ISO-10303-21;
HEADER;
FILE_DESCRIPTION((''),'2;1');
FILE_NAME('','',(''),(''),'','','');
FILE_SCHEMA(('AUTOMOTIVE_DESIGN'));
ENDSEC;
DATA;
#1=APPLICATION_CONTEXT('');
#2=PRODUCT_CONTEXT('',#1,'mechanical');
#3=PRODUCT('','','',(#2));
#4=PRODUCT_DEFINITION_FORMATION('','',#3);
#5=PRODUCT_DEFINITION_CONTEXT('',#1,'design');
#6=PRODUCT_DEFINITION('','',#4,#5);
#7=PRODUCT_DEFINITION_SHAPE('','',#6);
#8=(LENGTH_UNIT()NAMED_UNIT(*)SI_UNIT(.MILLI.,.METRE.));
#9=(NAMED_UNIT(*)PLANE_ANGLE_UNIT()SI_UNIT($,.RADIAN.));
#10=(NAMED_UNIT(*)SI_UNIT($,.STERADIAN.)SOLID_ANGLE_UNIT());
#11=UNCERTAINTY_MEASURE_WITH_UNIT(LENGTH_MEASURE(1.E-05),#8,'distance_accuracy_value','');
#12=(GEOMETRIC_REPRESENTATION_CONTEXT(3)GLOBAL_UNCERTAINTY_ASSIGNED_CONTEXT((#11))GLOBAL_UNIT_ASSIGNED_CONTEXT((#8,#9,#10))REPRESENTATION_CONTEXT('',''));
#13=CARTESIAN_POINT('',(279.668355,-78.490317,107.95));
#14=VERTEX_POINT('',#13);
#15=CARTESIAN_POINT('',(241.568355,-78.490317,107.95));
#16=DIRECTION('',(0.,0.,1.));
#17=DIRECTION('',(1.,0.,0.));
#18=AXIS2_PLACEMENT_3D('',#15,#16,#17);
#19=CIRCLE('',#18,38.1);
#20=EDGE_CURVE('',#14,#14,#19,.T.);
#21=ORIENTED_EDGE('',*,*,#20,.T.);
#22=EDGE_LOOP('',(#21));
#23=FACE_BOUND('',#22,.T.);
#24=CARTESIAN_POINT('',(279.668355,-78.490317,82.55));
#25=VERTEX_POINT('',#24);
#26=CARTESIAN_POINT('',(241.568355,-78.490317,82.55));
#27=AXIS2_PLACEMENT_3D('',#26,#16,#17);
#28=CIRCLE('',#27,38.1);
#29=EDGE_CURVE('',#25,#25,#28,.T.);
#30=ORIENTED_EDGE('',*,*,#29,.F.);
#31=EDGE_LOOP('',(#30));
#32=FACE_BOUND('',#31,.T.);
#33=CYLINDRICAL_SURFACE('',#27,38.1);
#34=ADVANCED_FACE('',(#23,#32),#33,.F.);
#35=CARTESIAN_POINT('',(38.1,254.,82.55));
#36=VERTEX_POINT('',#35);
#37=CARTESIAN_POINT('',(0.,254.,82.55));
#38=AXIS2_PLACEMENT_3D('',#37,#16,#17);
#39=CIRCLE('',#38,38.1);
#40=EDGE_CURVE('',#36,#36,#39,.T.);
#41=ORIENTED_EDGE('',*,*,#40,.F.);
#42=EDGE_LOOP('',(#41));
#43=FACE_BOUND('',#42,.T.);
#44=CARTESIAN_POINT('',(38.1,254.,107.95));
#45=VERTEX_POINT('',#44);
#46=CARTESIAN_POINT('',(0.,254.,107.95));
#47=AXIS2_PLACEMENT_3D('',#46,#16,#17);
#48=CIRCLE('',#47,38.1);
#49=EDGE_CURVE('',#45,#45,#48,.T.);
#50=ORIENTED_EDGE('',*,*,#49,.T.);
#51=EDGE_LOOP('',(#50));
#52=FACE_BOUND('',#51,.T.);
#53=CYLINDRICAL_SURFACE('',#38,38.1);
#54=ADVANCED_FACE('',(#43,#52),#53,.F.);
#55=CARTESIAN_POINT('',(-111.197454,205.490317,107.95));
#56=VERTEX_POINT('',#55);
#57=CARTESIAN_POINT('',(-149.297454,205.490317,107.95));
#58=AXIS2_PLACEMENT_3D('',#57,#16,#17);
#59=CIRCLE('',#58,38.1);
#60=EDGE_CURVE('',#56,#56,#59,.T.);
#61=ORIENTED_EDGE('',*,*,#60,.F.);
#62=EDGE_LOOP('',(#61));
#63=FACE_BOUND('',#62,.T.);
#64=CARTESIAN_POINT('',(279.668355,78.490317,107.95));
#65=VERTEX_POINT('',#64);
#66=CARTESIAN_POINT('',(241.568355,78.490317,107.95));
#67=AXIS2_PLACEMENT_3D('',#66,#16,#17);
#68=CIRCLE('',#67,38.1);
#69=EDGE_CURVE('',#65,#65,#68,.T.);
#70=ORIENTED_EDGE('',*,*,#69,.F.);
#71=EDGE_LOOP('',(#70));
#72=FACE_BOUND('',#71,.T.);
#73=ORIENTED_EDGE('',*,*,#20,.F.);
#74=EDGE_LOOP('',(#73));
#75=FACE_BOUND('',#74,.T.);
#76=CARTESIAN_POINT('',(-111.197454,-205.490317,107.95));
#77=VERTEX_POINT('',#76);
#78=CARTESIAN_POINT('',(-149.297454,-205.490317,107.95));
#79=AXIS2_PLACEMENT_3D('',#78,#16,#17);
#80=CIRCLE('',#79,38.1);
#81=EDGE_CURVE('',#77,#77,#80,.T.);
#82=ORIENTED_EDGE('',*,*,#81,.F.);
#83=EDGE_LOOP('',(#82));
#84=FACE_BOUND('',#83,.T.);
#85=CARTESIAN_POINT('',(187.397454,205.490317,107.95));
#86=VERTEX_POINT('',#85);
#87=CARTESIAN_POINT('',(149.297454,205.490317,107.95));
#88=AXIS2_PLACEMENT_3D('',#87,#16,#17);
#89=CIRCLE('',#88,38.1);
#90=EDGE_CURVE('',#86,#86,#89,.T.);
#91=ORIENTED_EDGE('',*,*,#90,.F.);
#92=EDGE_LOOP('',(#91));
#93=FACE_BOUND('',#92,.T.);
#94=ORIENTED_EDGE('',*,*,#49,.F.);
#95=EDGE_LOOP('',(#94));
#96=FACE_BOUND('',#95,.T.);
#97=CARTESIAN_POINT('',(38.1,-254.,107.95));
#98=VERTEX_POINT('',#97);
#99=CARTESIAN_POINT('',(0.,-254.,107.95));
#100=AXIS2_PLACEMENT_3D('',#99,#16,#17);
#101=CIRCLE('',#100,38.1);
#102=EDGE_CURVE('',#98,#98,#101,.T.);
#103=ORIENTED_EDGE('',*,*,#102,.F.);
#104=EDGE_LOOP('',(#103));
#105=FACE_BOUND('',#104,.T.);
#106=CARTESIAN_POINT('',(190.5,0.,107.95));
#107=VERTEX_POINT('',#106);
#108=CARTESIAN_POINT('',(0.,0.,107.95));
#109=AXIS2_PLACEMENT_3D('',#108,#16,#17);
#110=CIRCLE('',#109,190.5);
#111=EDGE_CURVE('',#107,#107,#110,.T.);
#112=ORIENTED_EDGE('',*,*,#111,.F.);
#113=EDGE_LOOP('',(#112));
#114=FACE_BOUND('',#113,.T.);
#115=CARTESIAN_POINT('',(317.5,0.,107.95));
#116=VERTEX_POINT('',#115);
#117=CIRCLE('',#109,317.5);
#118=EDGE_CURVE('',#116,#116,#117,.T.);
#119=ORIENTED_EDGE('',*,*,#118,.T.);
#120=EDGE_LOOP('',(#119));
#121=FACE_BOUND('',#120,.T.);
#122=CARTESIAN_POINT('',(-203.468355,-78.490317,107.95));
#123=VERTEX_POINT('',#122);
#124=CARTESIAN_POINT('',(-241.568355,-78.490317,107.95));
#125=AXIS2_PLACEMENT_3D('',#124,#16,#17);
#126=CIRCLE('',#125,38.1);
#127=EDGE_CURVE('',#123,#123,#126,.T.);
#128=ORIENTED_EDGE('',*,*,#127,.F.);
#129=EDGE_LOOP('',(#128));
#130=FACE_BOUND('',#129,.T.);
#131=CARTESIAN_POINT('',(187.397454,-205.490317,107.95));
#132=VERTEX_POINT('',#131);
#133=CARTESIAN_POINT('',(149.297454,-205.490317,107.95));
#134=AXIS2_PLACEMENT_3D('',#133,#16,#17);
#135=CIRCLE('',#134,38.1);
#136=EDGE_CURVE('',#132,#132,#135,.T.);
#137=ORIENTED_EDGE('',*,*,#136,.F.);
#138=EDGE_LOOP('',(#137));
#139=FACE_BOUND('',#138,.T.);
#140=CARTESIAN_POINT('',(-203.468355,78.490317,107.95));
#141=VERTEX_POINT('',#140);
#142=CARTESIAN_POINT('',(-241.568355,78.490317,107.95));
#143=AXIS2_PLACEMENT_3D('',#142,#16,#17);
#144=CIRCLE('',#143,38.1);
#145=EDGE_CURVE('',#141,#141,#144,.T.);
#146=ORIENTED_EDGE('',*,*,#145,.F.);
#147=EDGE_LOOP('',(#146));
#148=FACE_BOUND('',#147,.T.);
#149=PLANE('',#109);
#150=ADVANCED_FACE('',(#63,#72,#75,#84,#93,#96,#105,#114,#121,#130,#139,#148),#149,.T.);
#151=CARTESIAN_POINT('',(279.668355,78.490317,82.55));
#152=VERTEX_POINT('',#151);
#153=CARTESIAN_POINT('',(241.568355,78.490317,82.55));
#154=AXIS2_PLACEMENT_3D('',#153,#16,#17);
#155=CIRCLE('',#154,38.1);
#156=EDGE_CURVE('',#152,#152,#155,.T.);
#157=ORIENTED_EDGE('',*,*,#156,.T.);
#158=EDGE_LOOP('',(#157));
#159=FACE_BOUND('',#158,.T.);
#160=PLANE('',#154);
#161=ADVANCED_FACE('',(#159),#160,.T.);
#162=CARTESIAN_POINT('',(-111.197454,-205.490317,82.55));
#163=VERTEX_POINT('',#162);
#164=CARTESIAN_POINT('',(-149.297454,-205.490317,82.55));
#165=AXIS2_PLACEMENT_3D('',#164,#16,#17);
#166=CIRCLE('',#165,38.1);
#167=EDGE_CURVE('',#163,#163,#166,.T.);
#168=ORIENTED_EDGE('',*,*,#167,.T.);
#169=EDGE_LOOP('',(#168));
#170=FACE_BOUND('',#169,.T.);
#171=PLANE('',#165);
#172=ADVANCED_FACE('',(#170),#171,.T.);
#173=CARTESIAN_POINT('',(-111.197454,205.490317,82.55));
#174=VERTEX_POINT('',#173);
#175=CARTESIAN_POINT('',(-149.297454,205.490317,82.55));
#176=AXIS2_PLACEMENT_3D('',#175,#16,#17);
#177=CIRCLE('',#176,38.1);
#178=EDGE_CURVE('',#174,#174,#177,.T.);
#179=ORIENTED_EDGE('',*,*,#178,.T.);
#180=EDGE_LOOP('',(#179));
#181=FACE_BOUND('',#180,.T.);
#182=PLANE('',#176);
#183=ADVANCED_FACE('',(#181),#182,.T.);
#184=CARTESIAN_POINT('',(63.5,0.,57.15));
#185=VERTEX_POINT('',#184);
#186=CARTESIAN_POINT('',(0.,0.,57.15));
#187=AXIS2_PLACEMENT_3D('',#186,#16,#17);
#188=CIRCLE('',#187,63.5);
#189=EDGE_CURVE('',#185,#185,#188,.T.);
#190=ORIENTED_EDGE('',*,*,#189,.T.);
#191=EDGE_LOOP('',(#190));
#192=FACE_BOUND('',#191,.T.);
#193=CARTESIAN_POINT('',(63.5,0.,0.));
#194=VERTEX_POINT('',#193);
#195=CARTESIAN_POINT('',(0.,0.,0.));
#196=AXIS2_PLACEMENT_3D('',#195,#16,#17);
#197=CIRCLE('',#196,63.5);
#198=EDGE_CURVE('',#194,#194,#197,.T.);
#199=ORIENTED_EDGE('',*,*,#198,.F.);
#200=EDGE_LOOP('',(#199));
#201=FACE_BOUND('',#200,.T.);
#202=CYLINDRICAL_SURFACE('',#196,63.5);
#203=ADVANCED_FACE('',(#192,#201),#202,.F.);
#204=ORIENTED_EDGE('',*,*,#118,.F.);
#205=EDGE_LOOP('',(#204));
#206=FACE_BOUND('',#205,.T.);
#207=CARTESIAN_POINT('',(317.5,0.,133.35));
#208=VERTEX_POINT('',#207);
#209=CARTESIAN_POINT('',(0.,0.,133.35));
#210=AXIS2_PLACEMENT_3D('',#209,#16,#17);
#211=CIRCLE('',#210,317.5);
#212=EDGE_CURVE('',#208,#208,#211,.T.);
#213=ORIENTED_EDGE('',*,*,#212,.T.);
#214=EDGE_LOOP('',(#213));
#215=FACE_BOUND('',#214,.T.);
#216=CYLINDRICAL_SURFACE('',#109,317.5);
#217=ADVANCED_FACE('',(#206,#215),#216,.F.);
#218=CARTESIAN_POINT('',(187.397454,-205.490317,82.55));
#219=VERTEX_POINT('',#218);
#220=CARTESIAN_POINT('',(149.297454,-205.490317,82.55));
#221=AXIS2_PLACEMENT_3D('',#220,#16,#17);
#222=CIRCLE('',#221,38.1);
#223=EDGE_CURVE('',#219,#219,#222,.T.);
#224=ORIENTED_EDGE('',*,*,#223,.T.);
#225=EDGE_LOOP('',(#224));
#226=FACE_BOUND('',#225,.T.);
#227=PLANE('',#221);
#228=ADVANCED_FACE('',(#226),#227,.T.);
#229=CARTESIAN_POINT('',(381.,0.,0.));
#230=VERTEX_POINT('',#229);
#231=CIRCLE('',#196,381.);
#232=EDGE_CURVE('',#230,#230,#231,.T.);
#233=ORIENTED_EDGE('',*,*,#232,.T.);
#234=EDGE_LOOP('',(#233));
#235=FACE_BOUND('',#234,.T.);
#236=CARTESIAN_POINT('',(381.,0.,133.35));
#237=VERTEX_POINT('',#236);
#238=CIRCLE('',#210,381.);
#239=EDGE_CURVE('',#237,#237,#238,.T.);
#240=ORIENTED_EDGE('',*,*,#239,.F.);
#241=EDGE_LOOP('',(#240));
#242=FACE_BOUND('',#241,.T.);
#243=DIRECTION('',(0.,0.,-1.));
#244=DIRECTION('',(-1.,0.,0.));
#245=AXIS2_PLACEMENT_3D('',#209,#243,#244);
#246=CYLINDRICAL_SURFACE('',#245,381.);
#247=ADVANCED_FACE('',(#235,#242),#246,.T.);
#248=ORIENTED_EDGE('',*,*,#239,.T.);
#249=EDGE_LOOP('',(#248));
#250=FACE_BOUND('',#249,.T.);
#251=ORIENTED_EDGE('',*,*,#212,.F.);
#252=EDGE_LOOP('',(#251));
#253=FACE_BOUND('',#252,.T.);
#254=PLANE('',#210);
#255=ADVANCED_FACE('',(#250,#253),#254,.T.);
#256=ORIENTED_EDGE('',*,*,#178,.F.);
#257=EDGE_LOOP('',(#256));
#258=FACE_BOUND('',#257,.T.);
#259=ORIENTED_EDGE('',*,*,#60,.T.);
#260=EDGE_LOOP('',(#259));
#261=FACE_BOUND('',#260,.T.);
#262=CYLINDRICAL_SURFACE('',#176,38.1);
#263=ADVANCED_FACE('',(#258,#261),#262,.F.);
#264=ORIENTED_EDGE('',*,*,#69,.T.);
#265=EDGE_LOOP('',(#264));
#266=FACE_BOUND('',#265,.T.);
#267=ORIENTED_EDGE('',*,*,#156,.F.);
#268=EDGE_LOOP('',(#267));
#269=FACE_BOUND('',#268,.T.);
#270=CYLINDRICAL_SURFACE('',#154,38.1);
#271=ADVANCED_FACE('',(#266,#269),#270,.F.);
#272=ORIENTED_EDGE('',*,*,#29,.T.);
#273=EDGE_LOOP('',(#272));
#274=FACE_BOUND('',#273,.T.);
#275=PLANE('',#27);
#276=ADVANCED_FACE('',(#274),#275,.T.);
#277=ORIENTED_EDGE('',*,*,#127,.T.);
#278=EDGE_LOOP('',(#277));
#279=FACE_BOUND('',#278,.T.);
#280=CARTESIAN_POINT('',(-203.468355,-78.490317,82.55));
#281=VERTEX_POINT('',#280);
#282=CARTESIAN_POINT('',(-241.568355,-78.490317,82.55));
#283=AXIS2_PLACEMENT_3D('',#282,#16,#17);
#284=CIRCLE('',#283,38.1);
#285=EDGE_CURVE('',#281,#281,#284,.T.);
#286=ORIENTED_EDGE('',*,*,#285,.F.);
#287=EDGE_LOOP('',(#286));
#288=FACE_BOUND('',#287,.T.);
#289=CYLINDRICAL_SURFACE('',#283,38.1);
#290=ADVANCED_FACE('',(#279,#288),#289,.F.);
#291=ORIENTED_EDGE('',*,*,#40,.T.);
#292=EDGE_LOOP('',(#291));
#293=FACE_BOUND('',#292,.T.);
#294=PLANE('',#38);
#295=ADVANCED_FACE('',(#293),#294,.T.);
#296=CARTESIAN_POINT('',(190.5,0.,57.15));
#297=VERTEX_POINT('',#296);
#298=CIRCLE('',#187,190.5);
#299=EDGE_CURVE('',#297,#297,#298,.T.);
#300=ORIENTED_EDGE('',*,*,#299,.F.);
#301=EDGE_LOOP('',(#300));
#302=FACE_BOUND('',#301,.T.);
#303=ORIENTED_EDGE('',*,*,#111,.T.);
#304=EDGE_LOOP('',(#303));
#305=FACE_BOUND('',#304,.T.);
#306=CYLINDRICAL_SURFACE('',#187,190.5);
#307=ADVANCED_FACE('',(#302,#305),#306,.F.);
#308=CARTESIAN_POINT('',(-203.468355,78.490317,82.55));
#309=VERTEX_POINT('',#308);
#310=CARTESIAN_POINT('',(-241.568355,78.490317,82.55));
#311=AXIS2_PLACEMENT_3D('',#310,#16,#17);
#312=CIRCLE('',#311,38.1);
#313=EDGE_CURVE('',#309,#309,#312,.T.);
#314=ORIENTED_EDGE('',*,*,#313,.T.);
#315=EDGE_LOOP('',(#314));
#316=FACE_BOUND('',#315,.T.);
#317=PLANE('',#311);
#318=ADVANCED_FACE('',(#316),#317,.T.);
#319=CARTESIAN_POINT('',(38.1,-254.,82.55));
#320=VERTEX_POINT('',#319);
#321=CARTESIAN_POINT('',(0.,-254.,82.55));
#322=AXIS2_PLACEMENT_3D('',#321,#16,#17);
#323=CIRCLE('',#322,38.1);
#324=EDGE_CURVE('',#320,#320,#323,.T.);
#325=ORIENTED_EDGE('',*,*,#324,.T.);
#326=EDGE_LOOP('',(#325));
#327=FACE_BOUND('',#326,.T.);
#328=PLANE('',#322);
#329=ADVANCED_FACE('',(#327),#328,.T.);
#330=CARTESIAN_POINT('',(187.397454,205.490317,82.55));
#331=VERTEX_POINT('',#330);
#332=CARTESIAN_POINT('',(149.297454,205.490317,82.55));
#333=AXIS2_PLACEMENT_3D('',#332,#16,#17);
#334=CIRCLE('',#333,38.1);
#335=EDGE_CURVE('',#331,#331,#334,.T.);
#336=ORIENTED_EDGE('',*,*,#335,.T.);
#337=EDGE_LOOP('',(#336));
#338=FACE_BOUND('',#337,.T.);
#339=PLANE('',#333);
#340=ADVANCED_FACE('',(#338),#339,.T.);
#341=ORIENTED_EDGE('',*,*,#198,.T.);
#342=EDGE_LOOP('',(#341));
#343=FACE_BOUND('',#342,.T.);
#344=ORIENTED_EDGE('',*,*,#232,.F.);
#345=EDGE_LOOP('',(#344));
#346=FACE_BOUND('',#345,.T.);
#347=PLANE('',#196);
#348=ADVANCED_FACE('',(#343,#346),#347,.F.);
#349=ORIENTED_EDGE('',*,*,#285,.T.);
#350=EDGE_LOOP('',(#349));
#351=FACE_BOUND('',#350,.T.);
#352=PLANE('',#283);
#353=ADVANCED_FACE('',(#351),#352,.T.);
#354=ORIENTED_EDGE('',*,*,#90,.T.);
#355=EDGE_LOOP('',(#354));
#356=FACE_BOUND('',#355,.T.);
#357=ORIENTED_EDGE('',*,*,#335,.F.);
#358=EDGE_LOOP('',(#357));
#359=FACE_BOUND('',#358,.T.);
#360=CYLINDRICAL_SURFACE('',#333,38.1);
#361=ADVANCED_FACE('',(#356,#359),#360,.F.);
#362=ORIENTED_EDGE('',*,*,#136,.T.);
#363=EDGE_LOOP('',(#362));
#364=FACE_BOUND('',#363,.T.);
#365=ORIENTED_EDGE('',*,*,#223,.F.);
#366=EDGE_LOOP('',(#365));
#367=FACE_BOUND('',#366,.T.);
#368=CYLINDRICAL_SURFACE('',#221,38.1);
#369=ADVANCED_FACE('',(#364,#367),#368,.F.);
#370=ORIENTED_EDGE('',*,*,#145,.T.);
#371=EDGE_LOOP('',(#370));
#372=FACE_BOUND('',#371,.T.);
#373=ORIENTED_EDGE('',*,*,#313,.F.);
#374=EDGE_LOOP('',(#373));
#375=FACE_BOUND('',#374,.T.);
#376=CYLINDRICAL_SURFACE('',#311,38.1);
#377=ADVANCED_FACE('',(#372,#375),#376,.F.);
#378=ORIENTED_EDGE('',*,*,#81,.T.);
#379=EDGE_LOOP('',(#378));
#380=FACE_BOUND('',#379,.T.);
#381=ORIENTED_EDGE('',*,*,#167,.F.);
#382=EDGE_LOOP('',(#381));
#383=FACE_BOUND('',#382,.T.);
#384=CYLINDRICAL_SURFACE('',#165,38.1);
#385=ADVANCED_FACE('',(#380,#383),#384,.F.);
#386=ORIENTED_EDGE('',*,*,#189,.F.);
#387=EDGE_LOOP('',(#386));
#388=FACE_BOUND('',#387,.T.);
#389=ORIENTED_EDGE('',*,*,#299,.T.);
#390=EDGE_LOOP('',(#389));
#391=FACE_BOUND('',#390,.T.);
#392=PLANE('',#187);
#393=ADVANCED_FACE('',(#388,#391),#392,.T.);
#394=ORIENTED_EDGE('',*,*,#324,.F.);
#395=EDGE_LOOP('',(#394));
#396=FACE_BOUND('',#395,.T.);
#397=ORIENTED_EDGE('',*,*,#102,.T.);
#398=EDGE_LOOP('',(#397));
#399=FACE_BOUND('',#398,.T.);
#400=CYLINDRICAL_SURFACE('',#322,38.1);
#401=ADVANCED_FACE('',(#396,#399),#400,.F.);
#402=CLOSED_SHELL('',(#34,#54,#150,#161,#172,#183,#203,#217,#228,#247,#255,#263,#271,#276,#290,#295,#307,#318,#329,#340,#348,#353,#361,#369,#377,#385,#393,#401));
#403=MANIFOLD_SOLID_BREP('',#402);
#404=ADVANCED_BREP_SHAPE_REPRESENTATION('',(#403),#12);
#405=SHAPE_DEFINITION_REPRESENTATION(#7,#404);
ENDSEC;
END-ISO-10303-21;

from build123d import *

# Parameters (mm, degrees)
SKETCH2_R           = 381
BOSS_EXTRUDE1_DEPTH = 133.35
SKETCH3_R           = 317.5
CUT_EXTRUDE1_DEPTH  = 25.4
SKETCH4_R           = 38.1
CUT_EXTRUDE2_DEPTH  = 25.4
SKETCH5_R           = 190.5
CUT_EXTRUDE3_DEPTH  = 50.8
SKETCH6_R           = 63.5
CUT_EXTRUDE4_DEPTH  = 545.176846255


with BuildPart() as part:
    # Sketch2 → Boss-Extrude1 (new body)
    with BuildSketch(Plane.XY):
        Circle(SKETCH2_R)
    extrude(amount=BOSS_EXTRUDE1_DEPTH)

    # Sketch3 → Cut-Extrude1 (cut)
    with BuildSketch(Plane.XY.offset(133.35)):
        Circle(SKETCH3_R)
    extrude(amount=-CUT_EXTRUDE1_DEPTH, mode=Mode.SUBTRACT)

    # Sketch4 → Cut-Extrude2 (cut)
    with BuildSketch(Plane.XY.offset(107.95)):
        with Locations((0, 254)):
            Circle(SKETCH4_R)
        with Locations((149.297454082, 205.490316571)):
            Circle(SKETCH4_R)
        with Locations((241.568355139, 78.490316571)):
            Circle(SKETCH4_R)
        with Locations((241.568355139, -78.490316571)):
            Circle(SKETCH4_R)
        with Locations((149.297454082, -205.490316571)):
            Circle(SKETCH4_R)
        with Locations((0, -254)):
            Circle(SKETCH4_R)
        with Locations((-149.297454082, -205.490316571)):
            Circle(SKETCH4_R)
        with Locations((-241.568355139, -78.490316571)):
            Circle(SKETCH4_R)
        with Locations((-241.568355139, 78.490316571)):
            Circle(SKETCH4_R)
        with Locations((-149.297454082, 205.490316571)):
            Circle(SKETCH4_R)
    extrude(amount=-CUT_EXTRUDE2_DEPTH, mode=Mode.SUBTRACT)

    # Sketch5 → Cut-Extrude3 (cut)
    with BuildSketch(Plane.XY.offset(107.95)):
        Circle(SKETCH5_R)
    extrude(amount=-CUT_EXTRUDE3_DEPTH, mode=Mode.SUBTRACT)

    # Sketch6 → Cut-Extrude4 (cut, through all)
    with BuildSketch(Plane.XY.offset(57.15)):
        Circle(SKETCH6_R)
    extrude(amount=-CUT_EXTRUDE4_DEPTH, mode=Mode.SUBTRACT)


solid = part.part
